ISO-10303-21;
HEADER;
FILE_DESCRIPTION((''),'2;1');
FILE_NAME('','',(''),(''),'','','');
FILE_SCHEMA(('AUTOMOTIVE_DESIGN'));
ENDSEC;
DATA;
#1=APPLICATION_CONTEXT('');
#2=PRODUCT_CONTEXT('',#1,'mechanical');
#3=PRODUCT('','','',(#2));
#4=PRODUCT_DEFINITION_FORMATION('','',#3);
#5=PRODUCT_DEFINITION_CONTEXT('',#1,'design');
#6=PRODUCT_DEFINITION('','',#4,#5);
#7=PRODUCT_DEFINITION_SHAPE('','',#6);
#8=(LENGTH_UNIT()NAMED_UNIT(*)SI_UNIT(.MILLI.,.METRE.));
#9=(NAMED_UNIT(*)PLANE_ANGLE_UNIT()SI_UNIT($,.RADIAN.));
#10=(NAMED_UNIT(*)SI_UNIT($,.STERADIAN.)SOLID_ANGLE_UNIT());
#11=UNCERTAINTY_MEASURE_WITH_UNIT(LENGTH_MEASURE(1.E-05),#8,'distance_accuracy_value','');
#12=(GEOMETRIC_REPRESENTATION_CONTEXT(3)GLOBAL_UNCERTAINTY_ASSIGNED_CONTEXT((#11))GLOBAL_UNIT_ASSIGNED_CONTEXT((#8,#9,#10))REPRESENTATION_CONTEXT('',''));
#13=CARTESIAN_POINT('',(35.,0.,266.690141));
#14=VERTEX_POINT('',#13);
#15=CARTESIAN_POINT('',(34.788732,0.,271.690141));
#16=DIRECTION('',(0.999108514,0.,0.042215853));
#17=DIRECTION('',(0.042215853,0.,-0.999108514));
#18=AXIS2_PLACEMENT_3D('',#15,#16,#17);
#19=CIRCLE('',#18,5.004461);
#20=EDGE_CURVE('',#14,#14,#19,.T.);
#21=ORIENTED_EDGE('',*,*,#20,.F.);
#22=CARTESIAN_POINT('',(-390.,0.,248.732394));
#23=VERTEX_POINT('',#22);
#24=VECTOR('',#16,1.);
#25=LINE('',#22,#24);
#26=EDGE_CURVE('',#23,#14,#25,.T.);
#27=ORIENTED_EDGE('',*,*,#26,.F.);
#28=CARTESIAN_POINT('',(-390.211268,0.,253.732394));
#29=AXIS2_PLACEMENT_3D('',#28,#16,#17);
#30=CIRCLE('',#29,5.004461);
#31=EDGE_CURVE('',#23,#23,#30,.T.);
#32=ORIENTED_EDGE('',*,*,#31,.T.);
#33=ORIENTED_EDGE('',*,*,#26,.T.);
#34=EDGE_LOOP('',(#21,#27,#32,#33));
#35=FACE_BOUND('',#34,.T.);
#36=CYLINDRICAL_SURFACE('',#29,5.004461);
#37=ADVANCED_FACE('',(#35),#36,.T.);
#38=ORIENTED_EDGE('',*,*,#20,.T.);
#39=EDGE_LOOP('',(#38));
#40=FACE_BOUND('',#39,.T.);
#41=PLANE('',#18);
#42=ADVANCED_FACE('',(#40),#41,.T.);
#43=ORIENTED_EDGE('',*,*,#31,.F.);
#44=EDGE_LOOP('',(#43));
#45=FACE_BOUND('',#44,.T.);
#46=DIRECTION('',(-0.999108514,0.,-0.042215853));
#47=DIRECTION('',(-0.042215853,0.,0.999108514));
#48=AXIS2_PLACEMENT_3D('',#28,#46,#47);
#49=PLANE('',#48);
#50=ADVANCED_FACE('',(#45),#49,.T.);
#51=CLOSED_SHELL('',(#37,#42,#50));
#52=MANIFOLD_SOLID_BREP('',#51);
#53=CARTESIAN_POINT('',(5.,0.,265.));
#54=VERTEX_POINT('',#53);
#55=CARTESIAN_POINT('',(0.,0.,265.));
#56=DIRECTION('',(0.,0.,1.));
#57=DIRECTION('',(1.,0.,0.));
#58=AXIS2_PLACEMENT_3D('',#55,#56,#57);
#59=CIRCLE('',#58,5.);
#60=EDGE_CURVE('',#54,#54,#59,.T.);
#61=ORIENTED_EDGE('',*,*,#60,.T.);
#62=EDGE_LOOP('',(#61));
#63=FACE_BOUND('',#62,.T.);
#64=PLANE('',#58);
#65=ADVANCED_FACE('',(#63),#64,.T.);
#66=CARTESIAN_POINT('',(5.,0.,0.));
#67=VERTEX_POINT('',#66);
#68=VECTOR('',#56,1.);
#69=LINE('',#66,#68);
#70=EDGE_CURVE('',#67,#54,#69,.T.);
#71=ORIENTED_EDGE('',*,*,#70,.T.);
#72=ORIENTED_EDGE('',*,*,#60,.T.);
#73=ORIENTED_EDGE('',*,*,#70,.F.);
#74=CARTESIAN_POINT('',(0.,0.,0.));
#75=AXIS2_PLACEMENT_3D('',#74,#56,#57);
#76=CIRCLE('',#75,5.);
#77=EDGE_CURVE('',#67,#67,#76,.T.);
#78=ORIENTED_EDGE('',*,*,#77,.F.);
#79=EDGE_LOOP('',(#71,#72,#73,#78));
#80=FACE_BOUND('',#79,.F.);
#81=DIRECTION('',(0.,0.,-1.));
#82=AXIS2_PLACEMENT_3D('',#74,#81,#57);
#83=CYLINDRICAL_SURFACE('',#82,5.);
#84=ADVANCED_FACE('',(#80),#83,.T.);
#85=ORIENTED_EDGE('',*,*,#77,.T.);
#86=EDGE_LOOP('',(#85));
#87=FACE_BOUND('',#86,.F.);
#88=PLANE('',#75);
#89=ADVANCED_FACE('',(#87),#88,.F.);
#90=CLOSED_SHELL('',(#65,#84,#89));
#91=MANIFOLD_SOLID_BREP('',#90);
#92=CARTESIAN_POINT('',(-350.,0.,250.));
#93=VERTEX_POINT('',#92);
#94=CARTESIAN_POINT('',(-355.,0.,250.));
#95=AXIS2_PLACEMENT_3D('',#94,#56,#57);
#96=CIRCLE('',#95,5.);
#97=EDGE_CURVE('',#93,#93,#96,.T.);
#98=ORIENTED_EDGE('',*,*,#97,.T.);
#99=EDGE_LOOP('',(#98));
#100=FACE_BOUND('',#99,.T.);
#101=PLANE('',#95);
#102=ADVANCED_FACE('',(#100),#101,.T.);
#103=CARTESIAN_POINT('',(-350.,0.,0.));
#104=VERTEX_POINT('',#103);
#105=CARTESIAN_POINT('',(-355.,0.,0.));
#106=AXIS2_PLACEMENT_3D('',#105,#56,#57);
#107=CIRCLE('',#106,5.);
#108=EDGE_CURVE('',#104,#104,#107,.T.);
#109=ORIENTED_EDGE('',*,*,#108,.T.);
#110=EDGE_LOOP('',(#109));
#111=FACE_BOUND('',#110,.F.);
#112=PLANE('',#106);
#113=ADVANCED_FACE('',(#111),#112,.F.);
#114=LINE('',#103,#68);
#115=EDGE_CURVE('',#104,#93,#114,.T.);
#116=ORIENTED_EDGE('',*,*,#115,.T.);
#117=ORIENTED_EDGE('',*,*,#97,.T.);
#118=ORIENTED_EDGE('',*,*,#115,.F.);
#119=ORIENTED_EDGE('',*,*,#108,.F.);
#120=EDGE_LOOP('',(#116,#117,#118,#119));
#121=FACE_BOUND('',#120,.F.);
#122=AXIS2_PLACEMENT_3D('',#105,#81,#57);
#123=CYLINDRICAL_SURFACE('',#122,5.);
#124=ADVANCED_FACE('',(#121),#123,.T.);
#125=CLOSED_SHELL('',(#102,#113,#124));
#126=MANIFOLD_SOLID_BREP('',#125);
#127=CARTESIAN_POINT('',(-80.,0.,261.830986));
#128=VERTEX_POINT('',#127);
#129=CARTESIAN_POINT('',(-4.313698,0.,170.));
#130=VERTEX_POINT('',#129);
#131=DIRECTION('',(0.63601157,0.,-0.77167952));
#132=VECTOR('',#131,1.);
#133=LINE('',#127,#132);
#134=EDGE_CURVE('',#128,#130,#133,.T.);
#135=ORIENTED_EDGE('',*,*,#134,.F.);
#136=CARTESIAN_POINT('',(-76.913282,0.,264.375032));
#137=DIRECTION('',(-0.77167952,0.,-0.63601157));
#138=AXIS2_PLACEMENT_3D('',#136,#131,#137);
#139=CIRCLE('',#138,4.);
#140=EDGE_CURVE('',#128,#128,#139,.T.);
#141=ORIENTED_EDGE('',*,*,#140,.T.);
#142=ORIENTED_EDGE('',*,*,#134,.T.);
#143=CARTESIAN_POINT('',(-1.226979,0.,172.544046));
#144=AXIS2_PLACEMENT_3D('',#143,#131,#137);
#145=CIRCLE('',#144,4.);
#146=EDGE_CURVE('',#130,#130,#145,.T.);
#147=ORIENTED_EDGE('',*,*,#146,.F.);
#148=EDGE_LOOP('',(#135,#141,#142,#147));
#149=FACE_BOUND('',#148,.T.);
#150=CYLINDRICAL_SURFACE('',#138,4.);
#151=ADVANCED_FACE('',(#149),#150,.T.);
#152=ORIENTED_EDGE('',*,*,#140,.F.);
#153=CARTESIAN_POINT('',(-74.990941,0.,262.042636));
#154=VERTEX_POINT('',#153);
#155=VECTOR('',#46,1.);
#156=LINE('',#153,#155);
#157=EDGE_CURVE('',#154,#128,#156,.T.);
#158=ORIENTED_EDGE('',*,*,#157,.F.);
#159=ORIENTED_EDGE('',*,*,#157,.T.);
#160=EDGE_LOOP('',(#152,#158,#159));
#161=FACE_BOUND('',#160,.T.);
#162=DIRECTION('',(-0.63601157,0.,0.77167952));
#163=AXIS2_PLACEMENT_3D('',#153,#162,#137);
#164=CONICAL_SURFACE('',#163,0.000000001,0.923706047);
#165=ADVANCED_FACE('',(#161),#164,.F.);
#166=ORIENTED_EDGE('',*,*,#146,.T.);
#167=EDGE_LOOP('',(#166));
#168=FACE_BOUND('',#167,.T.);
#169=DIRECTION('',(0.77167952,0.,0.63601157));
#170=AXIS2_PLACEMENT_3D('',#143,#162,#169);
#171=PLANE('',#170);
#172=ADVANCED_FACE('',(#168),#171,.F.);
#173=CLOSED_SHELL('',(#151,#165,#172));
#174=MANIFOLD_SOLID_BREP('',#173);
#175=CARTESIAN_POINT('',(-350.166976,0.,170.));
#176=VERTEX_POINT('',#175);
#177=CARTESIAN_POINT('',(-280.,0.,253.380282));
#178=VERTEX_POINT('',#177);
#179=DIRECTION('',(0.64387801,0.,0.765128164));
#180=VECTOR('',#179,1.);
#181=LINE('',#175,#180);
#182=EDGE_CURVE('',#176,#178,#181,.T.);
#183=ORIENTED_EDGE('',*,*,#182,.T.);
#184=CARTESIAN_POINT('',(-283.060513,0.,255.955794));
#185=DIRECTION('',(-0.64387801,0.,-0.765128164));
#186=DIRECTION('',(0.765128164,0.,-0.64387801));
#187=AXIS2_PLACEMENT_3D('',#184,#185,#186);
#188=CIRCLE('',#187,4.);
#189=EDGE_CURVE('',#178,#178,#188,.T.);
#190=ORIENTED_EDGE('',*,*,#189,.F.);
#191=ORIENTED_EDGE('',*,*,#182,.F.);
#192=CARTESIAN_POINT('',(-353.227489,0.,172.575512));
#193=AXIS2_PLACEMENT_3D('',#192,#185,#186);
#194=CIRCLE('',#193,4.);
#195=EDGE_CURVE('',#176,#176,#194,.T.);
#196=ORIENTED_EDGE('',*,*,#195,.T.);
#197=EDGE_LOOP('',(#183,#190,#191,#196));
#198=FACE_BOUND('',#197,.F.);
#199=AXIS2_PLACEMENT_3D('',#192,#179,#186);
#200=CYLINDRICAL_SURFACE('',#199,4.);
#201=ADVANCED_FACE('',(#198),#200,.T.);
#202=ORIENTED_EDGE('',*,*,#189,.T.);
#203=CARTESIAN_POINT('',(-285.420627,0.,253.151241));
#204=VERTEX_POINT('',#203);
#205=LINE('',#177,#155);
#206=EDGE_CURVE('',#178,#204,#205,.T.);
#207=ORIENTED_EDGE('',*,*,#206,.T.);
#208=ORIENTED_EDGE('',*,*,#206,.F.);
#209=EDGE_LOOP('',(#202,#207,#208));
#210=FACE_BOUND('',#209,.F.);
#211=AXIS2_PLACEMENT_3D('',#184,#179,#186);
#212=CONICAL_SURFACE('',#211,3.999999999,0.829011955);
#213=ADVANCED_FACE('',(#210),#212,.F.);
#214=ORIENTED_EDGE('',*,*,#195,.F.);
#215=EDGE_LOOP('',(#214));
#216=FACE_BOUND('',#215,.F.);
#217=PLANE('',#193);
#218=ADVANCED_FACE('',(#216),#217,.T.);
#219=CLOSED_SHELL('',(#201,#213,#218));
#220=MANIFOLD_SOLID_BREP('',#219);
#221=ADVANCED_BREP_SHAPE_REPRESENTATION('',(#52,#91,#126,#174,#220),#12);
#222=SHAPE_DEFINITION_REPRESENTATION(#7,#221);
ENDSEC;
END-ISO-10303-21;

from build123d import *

# Parameters (mm, degrees)
F0_R     = 5
F1_DEPTH = 265
F2_R     = 5
F3_DEPTH = 250


with BuildPart() as f1:
    # F0 (on Top) → F1 (new body)
    with BuildSketch(Plane.XY):
        Circle(F0_R)
    extrude(amount=F1_DEPTH)


with BuildPart() as f3:
    # F2 (on Top) → F3 (new body)
    with BuildSketch(Plane.XY):
        with Locations((-355, 0)):
            Circle(F2_R)
    extrude(amount=F3_DEPTH)


with BuildPart() as f5:
    # F4 (on Front) → F5 (revolve)
    with BuildSketch(Plane.XZ):
        Polygon((-390.2112676056, 253.7323943662), (-390, 248.7323943662), (-360, 250), (-5, 265), (35, 266.6901408451), (34.7887323944, 271.6901408451), align=None)
    revolve(axis=Axis((-177.7112676056, 0, 262.7112676056), (0.9991085135, 0, 0.0422158527)))


with BuildPart() as f7:
    # F6 (on Front) → F7 (revolve)
    with BuildSketch(Plane.XZ):
        Polygon((-353.2274891088, 172.5755120417), (-350.1669764519, 170), (-280, 253.3802816901), (-285.4206267368, 253.1512411238), align=None)
    revolve(axis=Axis((-318.1440008829, 0, 214.2656528867), (-0.6438780104, 0, -0.7651281642)))


with BuildPart() as f8:
    # F6 (on Front) → F8 (revolve)
    with BuildSketch(Plane.XZ):
        Polygon((-74.9909414231, 262.0426362779), (-80, 261.8309859155), (-4.3136975728, 170), (-1.2269794909, 172.5440462816), align=None)
    revolve(axis=Axis((-39.0701307045, 0, 218.4595392393), (0.6360115704, 0, -0.7716795205)))


solid = Compound([f1.part, f3.part, f5.part, f7.part, f8.part])
